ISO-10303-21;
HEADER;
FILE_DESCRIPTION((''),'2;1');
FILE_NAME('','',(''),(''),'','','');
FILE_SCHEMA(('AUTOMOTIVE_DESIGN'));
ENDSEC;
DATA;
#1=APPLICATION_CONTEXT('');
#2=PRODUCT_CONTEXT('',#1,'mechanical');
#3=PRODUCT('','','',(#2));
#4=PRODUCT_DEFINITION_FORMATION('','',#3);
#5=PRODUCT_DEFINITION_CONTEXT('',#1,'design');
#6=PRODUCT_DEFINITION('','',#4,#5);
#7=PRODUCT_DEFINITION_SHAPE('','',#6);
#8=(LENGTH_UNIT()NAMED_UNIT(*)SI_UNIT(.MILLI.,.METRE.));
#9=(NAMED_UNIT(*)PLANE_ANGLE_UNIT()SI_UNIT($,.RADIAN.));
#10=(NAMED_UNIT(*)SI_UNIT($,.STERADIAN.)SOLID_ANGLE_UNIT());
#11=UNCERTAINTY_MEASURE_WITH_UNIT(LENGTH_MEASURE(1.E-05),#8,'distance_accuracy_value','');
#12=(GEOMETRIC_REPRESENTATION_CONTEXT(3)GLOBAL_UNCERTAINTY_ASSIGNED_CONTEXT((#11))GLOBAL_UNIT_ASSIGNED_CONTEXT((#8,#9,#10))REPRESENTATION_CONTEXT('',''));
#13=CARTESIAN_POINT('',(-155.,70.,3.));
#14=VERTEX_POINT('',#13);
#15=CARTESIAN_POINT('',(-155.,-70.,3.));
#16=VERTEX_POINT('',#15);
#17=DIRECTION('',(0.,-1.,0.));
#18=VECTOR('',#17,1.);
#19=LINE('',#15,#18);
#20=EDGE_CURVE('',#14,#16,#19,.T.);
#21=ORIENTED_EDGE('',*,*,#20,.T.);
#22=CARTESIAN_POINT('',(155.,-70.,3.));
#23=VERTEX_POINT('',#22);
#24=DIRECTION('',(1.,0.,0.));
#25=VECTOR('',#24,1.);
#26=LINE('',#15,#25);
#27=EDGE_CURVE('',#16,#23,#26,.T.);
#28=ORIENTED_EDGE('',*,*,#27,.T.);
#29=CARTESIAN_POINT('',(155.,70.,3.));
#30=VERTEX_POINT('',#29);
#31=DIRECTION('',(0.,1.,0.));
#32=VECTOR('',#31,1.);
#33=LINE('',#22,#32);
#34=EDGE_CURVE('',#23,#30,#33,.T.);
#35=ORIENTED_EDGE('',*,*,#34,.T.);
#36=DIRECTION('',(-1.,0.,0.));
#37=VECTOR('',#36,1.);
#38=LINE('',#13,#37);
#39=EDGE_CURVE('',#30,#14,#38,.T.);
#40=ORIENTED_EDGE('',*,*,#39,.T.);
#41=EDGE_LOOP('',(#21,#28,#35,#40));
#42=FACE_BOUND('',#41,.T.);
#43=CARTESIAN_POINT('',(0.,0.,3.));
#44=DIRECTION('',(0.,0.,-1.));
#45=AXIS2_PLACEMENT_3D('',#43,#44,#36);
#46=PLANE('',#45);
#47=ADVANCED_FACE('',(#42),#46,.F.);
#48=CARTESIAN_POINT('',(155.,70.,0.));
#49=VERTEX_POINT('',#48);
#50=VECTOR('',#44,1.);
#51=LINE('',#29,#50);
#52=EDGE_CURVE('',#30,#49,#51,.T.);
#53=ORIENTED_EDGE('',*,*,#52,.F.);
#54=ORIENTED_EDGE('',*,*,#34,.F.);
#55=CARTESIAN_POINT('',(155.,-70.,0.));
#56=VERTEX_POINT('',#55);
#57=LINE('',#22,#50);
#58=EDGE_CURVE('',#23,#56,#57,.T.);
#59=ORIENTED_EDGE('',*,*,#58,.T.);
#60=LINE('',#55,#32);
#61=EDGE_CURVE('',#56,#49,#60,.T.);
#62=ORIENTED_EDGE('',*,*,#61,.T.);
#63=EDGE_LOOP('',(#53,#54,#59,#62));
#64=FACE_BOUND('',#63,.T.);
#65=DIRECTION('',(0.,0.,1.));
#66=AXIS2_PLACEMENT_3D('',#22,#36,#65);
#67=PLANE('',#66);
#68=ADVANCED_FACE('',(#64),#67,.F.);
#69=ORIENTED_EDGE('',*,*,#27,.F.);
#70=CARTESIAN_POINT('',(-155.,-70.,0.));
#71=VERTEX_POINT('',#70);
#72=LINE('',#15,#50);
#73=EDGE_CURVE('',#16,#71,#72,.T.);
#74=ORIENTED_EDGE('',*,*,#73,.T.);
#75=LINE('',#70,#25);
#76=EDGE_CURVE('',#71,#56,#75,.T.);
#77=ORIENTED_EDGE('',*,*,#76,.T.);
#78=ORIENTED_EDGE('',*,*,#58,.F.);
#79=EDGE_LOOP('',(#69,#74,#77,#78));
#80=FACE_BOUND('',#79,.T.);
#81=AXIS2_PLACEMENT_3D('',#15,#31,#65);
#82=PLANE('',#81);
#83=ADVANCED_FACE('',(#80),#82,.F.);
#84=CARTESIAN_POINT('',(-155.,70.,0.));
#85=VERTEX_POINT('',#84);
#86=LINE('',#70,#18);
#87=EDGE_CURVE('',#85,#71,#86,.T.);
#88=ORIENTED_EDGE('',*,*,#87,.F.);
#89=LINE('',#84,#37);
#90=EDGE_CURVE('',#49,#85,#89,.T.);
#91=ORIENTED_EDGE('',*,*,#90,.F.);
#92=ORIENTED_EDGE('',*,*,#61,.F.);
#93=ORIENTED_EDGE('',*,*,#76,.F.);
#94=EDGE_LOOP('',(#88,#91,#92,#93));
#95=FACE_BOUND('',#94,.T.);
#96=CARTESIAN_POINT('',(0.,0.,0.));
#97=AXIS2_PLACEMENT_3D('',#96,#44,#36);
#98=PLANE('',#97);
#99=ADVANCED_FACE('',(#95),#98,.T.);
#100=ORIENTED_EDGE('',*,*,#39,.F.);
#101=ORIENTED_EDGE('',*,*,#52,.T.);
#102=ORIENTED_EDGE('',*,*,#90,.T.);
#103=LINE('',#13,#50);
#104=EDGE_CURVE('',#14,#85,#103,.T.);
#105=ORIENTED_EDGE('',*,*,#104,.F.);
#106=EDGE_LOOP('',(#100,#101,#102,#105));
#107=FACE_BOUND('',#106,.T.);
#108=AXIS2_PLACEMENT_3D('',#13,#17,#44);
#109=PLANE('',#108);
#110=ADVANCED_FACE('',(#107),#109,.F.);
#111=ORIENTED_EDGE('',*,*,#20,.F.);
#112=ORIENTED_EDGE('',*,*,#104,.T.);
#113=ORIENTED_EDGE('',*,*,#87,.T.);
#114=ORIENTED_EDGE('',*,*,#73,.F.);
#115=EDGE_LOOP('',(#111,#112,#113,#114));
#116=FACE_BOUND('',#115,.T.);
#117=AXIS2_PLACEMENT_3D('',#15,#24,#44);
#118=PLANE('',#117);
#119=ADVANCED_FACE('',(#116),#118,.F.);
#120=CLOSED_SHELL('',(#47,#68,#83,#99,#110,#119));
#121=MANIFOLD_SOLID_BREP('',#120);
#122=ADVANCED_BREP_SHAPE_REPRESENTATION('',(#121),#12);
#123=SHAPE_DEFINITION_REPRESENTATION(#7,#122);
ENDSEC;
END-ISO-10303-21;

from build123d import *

# Parameters (mm, degrees)
SKIZZE1_W                       = 310
SKIZZE1_H                       = 140
AUFSATZ_LINEAR_AUSTRAGEN1_DEPTH = 3


with BuildPart() as part:
    # Skizze1 → Aufsatz-Linear austragen1 (new body)
    with BuildSketch(Plane.XY):
        Rectangle(SKIZZE1_W, SKIZZE1_H)
    extrude(amount=AUFSATZ_LINEAR_AUSTRAGEN1_DEPTH)


solid = part.part
